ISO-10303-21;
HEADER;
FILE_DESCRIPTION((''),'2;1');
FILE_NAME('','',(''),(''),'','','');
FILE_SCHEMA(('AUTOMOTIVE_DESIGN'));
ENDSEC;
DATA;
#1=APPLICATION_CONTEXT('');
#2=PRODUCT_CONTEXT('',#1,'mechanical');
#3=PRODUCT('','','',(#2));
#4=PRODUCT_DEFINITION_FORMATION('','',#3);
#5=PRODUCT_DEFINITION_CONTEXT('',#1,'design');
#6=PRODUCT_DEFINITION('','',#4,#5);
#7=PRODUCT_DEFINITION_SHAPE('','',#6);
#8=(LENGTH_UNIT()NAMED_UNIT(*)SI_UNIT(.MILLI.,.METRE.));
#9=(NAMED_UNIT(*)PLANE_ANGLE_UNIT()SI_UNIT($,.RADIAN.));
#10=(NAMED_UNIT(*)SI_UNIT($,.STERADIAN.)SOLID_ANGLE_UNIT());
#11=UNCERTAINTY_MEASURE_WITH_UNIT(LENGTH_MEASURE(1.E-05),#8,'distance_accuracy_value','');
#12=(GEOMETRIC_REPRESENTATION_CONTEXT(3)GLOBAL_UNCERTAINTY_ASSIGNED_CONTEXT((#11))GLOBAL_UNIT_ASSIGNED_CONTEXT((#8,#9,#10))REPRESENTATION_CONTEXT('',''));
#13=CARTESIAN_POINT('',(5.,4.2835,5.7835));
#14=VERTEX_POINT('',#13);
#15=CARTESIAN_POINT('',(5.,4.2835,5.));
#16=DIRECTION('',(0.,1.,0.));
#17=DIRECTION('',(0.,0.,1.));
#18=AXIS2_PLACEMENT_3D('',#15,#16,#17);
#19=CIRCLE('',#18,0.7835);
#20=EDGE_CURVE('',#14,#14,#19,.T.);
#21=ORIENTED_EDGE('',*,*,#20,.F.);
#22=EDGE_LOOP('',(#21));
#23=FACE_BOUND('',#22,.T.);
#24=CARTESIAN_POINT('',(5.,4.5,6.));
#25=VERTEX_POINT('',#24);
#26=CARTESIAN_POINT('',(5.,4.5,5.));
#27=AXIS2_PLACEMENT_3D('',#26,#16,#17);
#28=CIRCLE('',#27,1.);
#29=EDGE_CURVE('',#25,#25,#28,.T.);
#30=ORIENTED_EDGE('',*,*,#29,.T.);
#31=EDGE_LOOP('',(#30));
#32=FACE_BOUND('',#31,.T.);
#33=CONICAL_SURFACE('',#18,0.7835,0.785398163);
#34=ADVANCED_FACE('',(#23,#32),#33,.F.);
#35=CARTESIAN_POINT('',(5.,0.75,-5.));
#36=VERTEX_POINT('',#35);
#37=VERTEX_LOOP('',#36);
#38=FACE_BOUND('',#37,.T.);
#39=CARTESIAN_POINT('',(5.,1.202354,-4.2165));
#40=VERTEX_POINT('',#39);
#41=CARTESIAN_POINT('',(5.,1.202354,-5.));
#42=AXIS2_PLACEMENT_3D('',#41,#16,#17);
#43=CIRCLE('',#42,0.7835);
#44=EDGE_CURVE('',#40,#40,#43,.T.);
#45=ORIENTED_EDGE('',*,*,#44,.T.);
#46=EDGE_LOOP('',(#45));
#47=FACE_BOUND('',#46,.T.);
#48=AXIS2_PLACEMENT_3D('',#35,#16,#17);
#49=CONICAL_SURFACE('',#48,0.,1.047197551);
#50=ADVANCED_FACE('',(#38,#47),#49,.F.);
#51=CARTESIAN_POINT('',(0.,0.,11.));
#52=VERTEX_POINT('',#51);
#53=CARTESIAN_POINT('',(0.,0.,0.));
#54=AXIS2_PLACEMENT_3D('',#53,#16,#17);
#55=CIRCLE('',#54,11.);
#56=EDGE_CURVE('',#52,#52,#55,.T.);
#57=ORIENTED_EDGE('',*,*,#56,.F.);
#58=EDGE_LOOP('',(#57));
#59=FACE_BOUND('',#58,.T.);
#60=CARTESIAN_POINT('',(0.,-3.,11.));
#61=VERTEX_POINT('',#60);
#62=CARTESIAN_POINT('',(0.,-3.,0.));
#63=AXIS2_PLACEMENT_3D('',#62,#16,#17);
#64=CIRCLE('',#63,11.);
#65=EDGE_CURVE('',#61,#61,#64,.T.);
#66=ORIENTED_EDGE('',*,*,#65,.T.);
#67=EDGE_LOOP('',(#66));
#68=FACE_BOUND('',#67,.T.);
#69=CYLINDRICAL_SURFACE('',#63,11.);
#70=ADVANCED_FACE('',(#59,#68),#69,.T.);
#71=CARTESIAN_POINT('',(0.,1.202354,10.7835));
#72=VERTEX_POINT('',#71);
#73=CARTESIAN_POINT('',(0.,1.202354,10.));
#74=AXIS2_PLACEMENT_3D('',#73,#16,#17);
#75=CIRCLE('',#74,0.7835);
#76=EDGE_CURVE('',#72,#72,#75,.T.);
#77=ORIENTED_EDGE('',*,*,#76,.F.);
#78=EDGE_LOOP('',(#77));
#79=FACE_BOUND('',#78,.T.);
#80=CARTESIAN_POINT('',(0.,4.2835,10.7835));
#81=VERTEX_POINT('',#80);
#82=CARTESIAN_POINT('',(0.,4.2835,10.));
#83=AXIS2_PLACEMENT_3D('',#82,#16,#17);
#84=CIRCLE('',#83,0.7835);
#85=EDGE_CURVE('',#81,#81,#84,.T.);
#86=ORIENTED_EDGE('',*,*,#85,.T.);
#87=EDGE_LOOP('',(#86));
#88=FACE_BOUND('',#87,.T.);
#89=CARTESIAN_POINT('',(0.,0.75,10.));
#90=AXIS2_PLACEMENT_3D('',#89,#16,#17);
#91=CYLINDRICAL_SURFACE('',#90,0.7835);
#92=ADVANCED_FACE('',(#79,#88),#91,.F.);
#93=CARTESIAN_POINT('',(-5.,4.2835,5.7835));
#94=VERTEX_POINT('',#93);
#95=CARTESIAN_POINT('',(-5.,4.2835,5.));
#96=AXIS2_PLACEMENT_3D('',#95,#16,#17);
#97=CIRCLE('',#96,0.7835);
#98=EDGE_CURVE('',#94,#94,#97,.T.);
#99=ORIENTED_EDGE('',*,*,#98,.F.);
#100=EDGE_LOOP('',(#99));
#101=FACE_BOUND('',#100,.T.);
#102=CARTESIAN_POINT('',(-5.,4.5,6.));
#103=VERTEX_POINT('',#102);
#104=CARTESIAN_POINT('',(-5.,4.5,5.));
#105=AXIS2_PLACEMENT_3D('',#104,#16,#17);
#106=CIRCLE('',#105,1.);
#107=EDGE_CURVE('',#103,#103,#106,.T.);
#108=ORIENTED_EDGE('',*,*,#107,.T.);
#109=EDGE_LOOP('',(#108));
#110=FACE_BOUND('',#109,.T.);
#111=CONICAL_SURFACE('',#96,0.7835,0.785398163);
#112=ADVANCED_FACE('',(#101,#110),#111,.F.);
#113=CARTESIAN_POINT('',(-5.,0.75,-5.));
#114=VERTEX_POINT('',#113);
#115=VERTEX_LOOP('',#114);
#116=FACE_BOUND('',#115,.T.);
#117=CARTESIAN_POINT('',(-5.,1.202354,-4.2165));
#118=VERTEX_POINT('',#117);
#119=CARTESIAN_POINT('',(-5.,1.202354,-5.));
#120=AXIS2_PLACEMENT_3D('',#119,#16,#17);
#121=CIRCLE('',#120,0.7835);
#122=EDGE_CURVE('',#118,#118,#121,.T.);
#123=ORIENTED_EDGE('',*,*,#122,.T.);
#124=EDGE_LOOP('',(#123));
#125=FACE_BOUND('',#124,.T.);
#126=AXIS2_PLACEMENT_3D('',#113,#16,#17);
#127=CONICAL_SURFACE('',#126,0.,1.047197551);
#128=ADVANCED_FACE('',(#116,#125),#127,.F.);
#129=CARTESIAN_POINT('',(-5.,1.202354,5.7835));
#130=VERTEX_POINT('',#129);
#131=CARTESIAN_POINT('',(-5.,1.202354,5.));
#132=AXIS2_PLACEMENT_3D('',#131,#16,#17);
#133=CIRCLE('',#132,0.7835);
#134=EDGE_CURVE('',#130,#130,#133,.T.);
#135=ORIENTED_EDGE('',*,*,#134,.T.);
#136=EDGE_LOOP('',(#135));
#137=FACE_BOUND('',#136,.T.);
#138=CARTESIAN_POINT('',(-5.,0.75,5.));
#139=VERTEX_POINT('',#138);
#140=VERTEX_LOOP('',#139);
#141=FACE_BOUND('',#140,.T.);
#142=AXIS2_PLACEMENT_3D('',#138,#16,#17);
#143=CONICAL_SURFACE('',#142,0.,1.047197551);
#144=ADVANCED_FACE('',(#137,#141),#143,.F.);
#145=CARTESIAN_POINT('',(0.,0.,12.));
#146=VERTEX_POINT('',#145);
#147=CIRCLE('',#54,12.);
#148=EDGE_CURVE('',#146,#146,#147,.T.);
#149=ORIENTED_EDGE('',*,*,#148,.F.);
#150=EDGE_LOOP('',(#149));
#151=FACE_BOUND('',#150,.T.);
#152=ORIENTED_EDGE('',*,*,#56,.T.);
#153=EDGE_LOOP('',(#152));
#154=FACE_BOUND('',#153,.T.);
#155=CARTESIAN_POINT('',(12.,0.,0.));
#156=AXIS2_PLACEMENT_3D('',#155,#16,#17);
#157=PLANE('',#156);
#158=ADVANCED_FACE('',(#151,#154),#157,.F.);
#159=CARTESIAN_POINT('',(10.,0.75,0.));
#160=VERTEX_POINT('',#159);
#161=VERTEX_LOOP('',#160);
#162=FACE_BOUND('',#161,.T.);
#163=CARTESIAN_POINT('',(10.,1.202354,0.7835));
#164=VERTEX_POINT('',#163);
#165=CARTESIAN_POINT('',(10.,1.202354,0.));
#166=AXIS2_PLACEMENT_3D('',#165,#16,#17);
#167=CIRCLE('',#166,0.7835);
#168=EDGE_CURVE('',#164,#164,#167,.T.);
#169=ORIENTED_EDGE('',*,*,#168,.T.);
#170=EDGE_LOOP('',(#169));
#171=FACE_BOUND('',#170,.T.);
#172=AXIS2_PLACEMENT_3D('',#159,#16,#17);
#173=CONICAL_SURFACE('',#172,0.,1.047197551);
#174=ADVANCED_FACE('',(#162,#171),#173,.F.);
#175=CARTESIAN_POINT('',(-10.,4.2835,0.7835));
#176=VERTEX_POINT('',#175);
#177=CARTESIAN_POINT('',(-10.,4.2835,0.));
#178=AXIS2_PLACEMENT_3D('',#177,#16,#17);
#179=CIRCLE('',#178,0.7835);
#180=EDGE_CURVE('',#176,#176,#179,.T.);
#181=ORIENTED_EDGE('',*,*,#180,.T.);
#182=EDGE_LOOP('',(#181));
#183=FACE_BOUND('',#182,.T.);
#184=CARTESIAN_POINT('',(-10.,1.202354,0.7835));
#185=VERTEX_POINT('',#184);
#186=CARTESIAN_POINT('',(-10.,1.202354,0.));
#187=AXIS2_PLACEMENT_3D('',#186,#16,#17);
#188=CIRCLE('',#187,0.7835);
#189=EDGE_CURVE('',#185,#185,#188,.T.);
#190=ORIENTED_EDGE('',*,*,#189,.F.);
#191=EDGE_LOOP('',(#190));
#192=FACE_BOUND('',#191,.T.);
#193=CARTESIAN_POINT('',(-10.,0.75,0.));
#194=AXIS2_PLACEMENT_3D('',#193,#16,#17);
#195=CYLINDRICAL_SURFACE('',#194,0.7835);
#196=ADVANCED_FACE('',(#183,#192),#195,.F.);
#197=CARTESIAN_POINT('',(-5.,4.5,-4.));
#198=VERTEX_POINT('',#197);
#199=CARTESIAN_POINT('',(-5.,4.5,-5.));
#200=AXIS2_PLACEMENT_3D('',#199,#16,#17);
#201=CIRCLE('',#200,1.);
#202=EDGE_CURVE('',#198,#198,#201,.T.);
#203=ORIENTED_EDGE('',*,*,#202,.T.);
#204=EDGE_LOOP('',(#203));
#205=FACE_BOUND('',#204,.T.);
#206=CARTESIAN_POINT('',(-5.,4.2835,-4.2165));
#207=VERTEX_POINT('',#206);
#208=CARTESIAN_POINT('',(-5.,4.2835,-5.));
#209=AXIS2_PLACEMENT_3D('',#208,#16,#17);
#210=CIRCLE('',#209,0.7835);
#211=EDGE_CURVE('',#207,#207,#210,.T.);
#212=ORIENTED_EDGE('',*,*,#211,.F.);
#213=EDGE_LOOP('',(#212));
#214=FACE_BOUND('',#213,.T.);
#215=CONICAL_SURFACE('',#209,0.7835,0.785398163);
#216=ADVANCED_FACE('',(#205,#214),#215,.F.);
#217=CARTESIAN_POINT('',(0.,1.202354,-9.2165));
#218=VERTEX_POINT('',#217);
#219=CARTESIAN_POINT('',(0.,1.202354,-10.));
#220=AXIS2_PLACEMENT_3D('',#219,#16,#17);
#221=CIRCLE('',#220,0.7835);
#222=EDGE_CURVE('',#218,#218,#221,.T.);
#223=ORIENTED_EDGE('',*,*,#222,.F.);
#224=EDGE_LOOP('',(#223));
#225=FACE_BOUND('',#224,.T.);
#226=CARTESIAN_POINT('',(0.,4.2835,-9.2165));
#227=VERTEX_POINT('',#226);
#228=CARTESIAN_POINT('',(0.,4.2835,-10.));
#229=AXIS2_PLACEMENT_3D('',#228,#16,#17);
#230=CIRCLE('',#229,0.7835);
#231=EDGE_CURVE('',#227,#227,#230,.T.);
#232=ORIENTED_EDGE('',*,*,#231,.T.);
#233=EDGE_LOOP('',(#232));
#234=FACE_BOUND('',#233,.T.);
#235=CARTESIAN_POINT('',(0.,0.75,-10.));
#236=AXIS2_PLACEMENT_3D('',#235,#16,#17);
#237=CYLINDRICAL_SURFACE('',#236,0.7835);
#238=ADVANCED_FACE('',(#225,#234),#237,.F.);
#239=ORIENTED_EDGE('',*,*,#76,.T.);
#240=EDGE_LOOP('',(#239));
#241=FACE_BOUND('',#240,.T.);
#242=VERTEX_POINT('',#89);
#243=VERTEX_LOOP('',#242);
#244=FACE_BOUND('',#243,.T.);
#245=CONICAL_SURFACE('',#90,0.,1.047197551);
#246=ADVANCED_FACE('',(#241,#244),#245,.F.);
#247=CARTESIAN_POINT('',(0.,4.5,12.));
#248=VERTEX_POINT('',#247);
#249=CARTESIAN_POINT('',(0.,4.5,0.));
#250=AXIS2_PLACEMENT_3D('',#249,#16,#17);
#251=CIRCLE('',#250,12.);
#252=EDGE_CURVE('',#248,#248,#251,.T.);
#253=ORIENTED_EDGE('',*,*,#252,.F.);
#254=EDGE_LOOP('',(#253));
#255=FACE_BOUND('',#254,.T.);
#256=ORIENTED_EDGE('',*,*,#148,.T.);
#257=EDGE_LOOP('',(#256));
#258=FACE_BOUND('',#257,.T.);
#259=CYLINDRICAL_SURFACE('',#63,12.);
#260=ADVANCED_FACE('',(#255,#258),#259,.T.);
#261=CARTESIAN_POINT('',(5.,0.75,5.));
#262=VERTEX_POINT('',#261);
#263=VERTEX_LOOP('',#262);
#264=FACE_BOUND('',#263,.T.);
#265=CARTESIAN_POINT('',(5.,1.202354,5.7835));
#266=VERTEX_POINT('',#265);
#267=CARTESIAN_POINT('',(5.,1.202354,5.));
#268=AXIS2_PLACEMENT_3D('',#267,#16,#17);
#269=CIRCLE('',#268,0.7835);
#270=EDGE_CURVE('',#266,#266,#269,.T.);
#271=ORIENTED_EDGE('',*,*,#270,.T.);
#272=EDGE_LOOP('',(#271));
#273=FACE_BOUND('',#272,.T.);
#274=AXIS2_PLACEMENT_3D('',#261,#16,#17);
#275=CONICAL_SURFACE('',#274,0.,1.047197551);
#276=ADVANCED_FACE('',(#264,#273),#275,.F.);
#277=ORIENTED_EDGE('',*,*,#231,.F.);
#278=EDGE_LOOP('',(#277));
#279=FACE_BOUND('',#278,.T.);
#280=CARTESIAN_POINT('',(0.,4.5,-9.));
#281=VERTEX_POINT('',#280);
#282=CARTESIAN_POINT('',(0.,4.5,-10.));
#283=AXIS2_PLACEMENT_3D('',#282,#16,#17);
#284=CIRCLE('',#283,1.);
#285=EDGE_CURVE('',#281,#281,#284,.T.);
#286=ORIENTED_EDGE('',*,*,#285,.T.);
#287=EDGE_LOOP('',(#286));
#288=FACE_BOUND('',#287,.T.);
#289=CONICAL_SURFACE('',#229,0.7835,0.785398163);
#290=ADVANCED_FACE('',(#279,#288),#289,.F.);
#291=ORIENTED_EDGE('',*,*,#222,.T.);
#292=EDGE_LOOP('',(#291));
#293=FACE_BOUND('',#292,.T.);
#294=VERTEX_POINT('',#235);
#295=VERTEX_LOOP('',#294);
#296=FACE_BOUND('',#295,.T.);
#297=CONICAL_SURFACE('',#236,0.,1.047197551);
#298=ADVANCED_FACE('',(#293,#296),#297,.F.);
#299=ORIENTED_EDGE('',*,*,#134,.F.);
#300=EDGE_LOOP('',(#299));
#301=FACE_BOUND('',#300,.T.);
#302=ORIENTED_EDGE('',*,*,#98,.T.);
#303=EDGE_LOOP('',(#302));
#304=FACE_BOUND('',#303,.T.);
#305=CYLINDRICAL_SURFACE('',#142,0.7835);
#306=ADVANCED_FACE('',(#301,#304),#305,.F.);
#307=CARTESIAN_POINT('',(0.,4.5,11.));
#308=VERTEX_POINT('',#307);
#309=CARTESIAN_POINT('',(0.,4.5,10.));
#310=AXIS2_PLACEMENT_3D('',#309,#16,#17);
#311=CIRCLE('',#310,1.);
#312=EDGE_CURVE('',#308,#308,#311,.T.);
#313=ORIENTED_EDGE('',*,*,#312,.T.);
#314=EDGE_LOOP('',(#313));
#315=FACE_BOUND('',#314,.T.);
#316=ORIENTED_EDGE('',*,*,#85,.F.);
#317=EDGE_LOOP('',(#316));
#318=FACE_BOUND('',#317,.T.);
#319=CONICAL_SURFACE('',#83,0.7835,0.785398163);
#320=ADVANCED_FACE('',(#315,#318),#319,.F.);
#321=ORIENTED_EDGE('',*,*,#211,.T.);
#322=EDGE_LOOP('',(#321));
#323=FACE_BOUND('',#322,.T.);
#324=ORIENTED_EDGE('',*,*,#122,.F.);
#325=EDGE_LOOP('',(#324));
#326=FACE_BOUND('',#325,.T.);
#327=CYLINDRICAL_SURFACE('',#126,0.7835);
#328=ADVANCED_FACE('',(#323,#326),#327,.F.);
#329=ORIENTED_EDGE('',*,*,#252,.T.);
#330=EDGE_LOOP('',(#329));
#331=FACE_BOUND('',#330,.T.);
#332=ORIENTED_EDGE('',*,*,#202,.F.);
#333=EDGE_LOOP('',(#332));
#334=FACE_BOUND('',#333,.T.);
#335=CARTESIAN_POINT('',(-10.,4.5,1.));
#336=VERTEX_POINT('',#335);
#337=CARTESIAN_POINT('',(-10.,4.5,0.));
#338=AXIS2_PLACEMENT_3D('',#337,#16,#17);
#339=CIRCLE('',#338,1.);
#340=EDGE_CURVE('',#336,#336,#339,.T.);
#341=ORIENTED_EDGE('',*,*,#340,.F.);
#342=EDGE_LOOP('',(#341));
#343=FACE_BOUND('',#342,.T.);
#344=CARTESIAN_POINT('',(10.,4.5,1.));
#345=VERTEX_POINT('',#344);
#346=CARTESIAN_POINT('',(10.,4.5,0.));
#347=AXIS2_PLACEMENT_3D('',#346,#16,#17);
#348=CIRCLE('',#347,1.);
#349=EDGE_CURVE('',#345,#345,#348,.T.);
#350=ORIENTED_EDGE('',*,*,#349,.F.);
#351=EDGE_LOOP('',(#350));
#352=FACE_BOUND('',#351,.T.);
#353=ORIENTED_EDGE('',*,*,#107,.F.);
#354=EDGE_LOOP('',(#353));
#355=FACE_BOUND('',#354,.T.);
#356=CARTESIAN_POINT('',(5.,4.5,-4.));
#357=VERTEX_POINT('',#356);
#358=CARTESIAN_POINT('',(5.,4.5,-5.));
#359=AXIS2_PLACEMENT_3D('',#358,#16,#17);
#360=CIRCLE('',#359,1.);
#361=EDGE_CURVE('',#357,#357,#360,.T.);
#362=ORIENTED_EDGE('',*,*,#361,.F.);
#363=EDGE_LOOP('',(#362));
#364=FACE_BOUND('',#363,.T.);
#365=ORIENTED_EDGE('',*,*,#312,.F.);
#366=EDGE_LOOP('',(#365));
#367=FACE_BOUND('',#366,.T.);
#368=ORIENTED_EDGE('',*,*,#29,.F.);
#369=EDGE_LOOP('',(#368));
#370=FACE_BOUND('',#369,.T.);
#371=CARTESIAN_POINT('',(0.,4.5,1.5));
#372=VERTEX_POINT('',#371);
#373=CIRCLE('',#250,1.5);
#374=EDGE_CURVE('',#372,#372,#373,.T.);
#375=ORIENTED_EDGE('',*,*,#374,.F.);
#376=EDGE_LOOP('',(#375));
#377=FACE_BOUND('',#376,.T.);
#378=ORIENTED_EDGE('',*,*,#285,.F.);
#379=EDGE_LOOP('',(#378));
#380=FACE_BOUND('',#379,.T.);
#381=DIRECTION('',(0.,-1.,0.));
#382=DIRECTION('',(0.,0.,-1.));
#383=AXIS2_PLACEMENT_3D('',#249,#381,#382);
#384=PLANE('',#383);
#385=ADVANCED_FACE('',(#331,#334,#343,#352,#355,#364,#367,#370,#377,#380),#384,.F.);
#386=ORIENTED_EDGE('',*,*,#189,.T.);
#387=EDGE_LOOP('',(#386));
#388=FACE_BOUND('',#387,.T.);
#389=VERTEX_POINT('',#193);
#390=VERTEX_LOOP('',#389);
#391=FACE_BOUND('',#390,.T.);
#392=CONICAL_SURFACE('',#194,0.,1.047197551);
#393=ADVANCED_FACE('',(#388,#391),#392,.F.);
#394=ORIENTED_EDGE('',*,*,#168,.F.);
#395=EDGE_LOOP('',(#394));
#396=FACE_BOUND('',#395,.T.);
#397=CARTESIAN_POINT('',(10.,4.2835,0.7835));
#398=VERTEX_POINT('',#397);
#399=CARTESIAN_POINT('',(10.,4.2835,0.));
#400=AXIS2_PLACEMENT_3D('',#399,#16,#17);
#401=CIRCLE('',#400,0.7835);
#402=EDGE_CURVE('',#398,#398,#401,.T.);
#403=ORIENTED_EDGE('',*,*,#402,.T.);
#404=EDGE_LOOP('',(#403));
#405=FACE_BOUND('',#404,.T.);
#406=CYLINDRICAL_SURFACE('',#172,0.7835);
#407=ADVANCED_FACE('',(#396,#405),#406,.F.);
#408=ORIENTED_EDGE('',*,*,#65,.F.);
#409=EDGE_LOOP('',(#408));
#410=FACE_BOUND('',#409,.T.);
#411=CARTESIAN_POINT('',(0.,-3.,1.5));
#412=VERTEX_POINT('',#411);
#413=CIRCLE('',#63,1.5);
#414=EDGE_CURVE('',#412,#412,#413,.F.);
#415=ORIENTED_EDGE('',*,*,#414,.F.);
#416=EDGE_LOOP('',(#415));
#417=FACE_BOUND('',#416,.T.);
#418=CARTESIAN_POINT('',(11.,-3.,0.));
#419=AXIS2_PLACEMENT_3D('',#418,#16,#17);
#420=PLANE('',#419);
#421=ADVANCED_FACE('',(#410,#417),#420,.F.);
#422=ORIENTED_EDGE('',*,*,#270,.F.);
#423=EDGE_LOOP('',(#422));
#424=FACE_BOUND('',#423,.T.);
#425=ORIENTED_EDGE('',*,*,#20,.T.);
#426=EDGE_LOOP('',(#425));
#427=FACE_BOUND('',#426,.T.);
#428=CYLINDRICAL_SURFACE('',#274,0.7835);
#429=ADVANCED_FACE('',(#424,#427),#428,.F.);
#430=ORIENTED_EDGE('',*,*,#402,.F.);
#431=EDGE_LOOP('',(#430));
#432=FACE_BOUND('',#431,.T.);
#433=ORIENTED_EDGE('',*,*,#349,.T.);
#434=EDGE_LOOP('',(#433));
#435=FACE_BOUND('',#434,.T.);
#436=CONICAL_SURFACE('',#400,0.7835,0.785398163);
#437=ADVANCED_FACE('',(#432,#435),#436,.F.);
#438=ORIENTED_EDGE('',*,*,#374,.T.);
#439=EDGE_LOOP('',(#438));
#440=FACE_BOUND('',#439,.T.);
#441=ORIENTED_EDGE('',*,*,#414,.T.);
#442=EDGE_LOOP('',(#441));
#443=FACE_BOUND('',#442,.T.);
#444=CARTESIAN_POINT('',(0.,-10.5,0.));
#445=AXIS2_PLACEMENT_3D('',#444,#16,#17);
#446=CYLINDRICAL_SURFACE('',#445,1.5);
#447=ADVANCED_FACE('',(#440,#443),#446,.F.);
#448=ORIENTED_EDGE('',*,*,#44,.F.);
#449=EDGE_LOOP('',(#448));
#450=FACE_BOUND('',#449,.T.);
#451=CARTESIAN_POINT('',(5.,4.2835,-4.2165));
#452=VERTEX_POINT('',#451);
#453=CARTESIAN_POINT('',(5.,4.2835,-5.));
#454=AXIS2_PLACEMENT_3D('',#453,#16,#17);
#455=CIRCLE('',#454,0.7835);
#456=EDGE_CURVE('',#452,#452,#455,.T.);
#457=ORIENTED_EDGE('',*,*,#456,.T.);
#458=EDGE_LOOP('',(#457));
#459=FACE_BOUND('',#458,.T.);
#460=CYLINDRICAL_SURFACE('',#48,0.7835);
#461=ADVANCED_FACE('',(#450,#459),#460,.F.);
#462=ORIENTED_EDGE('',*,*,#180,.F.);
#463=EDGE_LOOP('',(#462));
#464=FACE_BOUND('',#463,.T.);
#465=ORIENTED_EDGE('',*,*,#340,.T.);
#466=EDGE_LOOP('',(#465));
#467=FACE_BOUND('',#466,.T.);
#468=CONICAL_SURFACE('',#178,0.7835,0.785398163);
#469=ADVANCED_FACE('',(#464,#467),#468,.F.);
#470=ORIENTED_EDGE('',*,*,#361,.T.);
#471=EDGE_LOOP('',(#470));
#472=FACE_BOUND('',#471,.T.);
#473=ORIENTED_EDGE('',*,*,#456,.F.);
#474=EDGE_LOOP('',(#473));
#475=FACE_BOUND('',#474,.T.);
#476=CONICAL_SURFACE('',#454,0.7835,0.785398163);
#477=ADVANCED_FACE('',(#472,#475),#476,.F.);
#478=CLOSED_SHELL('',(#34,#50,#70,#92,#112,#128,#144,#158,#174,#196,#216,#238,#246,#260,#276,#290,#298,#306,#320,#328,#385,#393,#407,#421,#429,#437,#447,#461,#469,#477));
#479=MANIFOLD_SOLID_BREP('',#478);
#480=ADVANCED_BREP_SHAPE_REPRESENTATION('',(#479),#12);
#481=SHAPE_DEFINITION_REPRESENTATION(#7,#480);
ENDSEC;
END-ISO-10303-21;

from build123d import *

# Parameters (mm, degrees)
SKETCH_2_W                  = 1.5
SKETCH_2_H                  = 15
PATTERN_LINEAR_1_COUNT      = 3
PATTERN_LINEAR_1_PITCH      = 7.071067812
PATTERN_LINEAR_1_COUNT_DIR2 = 3
PATTERN_LINEAR_1_PITCH_DIR2 = 7.071067812


with BuildPart() as part:
    # 草图1 → 旋转1 (revolve)
    with BuildSketch(Plane.XY):
        Polygon((0, 4.5), (12, 4.5), (12, 0), (11, 0), (11, -3), (0, -3), align=None)
    revolve(axis=Axis((0, -3, 0), (0, 1, 0)))

    # 草图2 → 切除-旋转1 (revolve, cut)
    with BuildSketch(Plane.XY):
        with Locations((0.75, -3)):
            Rectangle(SKETCH_2_W, SKETCH_2_H)
    revolve(axis=Axis((0, -10.5, 0), (0, 1, 0)), mode=Mode.SUBTRACT)

    # 草图3 → 切除-旋转2 (revolve, cut)
    with BuildSketch(Plane.XY):
        Polygon((10, 4.5), (11, 4.5), (10.7835, 4.2835), (10.7835, 1.202353936), (10, 0.75), align=None)
    cut_revolve_2 = revolve(axis=Axis((10, 0.75, 0), (0, 1, 0)), mode=Mode.SUBTRACT)

    # 阵列(线性)1: Cut-Revolve 2 3 × 3, 1 skipped
    with Locations(*[Vector(-0.7071067811865475, 0, -0.7071067811865476) * (i * PATTERN_LINEAR_1_PITCH) + Vector(-0.7071067811865477, 0, 0.7071067811865475) * (j * PATTERN_LINEAR_1_PITCH_DIR2) for i in range(PATTERN_LINEAR_1_COUNT) for j in range(PATTERN_LINEAR_1_COUNT_DIR2) if (i, j) not in ((0, 0), (1, 1))]):
        add(cut_revolve_2, mode=Mode.SUBTRACT)


solid = part.part
